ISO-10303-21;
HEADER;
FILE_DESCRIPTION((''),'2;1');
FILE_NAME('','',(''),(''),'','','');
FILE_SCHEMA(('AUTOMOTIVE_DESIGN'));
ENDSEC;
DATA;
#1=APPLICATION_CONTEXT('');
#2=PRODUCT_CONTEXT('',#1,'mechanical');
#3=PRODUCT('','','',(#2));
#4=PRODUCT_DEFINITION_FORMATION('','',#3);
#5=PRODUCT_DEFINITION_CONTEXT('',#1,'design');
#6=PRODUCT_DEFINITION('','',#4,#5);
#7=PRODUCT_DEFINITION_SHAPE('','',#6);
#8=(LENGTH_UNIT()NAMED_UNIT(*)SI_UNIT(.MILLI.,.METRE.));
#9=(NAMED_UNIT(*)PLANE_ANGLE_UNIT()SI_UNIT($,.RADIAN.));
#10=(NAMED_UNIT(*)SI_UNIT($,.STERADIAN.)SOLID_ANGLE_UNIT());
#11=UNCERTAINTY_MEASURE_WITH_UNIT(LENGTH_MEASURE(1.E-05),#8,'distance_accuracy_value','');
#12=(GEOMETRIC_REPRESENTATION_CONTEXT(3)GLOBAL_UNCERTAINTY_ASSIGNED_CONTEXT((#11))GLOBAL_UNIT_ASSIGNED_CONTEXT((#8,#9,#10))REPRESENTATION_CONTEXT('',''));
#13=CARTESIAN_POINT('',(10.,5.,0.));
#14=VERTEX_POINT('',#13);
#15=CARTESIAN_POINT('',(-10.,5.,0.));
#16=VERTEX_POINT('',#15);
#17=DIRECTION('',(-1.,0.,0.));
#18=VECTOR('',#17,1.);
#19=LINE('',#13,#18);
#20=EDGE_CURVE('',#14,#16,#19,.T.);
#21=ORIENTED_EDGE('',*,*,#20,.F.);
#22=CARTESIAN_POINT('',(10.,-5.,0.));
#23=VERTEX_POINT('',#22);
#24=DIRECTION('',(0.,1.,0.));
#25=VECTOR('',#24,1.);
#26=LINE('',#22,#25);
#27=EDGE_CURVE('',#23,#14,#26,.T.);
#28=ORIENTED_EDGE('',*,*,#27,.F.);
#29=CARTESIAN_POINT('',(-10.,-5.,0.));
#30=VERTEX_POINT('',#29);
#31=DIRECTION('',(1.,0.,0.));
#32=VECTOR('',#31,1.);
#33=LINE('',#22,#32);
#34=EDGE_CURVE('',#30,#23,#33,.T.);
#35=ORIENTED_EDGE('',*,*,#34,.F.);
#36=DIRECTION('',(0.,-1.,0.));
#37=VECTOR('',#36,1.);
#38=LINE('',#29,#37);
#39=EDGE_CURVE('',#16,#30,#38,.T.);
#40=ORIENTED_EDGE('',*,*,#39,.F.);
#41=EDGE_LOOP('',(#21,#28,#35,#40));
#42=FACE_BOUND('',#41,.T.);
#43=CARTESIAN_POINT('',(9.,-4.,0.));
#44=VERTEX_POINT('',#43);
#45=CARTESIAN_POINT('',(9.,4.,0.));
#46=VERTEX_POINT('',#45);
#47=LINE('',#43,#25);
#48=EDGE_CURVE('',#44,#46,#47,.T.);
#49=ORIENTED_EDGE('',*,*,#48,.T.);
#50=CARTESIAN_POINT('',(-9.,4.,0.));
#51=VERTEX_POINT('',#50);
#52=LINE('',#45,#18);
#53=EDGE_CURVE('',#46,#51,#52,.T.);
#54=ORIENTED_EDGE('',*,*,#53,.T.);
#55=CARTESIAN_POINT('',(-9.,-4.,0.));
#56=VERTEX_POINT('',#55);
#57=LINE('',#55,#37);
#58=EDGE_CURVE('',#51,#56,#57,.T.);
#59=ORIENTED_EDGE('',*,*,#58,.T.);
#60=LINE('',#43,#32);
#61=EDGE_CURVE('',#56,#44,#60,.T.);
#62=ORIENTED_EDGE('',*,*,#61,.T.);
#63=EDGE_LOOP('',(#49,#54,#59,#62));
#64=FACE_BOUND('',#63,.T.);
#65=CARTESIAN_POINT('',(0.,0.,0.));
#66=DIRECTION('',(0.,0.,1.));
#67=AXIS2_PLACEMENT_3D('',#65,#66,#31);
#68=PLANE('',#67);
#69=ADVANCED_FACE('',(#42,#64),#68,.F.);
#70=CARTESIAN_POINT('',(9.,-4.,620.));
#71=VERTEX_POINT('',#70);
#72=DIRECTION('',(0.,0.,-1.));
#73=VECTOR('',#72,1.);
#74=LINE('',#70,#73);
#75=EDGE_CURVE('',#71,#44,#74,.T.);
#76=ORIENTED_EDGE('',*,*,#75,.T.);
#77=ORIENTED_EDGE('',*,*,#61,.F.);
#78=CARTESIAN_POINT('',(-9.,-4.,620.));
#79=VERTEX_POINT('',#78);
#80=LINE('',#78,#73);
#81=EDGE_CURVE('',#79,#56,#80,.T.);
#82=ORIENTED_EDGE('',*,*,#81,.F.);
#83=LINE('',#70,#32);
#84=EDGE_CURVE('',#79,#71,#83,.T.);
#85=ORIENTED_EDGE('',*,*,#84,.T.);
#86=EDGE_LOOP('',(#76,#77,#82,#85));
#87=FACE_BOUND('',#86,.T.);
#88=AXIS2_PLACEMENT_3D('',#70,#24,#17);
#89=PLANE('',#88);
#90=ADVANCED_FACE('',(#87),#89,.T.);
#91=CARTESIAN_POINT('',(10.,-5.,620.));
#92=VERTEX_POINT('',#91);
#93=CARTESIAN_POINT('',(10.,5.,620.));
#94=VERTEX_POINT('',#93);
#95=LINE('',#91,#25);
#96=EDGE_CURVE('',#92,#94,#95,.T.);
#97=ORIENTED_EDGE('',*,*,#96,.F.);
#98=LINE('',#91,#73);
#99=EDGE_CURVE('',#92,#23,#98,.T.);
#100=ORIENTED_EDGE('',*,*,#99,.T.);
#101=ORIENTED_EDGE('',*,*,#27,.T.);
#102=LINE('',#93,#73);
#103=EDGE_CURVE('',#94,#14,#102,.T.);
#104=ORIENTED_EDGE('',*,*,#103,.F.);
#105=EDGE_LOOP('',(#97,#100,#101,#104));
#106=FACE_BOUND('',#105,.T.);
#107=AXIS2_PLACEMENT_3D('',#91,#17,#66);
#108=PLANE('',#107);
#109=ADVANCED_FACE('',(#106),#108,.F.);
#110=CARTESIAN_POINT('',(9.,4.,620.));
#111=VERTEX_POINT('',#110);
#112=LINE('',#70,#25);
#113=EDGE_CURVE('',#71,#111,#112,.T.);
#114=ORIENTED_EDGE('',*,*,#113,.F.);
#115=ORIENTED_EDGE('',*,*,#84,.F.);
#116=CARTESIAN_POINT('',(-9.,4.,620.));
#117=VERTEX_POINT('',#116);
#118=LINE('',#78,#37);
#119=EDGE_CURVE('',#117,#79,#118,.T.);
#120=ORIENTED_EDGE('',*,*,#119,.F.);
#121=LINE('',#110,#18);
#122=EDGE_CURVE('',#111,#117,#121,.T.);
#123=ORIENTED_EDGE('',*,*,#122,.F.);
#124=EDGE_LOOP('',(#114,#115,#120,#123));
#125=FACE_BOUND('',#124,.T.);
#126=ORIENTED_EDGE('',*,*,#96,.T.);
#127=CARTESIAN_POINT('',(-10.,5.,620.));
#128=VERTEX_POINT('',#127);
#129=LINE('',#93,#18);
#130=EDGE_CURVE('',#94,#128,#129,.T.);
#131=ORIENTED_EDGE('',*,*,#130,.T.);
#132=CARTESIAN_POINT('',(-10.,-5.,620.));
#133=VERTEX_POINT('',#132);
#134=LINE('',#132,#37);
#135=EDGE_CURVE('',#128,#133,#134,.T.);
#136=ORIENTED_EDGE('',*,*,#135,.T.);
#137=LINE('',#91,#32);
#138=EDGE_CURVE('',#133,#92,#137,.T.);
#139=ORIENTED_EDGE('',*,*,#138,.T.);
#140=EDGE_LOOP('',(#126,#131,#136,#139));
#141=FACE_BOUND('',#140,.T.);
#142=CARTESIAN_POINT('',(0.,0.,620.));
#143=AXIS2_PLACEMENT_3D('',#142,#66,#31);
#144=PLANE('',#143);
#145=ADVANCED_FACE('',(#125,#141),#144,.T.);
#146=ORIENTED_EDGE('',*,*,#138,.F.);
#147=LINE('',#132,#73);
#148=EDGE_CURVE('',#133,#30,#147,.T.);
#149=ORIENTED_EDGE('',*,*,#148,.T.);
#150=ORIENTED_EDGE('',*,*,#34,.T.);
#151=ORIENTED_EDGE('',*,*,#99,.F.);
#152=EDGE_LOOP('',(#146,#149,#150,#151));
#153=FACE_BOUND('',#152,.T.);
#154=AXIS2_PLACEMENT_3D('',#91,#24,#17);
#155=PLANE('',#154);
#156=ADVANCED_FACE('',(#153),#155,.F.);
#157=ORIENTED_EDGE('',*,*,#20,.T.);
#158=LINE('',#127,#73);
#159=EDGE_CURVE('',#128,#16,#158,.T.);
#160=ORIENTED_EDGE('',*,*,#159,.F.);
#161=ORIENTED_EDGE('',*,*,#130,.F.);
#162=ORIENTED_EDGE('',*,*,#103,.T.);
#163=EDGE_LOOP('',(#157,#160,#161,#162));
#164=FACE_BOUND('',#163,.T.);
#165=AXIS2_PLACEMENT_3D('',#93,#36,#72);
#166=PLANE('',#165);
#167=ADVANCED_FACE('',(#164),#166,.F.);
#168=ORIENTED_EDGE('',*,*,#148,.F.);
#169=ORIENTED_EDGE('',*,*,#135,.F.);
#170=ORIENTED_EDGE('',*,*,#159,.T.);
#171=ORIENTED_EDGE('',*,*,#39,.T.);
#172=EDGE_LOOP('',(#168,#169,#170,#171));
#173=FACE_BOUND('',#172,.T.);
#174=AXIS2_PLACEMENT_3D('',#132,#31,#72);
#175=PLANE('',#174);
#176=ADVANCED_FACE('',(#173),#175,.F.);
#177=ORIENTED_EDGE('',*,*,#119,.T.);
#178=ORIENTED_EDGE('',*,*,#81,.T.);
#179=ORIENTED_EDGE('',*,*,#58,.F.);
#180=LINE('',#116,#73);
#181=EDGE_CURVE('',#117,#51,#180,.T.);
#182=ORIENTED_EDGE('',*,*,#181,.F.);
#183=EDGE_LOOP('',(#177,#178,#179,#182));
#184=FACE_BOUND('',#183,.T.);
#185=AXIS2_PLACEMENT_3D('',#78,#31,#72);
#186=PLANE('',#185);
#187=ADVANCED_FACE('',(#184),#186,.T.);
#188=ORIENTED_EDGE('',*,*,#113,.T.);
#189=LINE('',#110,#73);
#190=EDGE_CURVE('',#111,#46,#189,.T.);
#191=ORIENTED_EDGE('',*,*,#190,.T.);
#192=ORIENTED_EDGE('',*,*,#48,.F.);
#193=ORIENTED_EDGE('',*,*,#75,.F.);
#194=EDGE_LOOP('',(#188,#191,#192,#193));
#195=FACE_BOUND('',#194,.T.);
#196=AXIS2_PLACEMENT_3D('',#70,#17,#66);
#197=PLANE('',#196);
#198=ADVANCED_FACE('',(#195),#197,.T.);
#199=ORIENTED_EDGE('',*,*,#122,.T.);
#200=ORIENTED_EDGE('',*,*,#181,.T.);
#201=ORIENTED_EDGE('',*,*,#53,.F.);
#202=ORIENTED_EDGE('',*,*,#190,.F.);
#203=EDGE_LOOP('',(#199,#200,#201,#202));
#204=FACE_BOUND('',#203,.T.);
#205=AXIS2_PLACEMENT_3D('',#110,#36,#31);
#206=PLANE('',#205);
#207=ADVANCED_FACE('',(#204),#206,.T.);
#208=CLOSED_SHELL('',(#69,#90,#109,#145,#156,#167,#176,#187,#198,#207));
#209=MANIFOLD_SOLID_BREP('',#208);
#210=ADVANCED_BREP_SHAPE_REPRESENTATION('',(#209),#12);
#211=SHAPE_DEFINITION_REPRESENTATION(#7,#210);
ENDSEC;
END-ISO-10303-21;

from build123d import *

# Parameters (mm, degrees)
SKETCH_1_W      = 20
SKETCH_1_H      = 10
SKETCH_1_W_2    = 18
SKETCH_1_H_2    = 8
EXTRUDE_1_DEPTH = 620


with BuildPart() as part:
    # 草图1 → 凸台-拉伸1 (new body)
    with BuildSketch(Plane.XY):
        Rectangle(SKETCH_1_W, SKETCH_1_H)
        Rectangle(SKETCH_1_W_2, SKETCH_1_H_2, mode=Mode.SUBTRACT)
    extrude(amount=EXTRUDE_1_DEPTH)


solid = part.part
